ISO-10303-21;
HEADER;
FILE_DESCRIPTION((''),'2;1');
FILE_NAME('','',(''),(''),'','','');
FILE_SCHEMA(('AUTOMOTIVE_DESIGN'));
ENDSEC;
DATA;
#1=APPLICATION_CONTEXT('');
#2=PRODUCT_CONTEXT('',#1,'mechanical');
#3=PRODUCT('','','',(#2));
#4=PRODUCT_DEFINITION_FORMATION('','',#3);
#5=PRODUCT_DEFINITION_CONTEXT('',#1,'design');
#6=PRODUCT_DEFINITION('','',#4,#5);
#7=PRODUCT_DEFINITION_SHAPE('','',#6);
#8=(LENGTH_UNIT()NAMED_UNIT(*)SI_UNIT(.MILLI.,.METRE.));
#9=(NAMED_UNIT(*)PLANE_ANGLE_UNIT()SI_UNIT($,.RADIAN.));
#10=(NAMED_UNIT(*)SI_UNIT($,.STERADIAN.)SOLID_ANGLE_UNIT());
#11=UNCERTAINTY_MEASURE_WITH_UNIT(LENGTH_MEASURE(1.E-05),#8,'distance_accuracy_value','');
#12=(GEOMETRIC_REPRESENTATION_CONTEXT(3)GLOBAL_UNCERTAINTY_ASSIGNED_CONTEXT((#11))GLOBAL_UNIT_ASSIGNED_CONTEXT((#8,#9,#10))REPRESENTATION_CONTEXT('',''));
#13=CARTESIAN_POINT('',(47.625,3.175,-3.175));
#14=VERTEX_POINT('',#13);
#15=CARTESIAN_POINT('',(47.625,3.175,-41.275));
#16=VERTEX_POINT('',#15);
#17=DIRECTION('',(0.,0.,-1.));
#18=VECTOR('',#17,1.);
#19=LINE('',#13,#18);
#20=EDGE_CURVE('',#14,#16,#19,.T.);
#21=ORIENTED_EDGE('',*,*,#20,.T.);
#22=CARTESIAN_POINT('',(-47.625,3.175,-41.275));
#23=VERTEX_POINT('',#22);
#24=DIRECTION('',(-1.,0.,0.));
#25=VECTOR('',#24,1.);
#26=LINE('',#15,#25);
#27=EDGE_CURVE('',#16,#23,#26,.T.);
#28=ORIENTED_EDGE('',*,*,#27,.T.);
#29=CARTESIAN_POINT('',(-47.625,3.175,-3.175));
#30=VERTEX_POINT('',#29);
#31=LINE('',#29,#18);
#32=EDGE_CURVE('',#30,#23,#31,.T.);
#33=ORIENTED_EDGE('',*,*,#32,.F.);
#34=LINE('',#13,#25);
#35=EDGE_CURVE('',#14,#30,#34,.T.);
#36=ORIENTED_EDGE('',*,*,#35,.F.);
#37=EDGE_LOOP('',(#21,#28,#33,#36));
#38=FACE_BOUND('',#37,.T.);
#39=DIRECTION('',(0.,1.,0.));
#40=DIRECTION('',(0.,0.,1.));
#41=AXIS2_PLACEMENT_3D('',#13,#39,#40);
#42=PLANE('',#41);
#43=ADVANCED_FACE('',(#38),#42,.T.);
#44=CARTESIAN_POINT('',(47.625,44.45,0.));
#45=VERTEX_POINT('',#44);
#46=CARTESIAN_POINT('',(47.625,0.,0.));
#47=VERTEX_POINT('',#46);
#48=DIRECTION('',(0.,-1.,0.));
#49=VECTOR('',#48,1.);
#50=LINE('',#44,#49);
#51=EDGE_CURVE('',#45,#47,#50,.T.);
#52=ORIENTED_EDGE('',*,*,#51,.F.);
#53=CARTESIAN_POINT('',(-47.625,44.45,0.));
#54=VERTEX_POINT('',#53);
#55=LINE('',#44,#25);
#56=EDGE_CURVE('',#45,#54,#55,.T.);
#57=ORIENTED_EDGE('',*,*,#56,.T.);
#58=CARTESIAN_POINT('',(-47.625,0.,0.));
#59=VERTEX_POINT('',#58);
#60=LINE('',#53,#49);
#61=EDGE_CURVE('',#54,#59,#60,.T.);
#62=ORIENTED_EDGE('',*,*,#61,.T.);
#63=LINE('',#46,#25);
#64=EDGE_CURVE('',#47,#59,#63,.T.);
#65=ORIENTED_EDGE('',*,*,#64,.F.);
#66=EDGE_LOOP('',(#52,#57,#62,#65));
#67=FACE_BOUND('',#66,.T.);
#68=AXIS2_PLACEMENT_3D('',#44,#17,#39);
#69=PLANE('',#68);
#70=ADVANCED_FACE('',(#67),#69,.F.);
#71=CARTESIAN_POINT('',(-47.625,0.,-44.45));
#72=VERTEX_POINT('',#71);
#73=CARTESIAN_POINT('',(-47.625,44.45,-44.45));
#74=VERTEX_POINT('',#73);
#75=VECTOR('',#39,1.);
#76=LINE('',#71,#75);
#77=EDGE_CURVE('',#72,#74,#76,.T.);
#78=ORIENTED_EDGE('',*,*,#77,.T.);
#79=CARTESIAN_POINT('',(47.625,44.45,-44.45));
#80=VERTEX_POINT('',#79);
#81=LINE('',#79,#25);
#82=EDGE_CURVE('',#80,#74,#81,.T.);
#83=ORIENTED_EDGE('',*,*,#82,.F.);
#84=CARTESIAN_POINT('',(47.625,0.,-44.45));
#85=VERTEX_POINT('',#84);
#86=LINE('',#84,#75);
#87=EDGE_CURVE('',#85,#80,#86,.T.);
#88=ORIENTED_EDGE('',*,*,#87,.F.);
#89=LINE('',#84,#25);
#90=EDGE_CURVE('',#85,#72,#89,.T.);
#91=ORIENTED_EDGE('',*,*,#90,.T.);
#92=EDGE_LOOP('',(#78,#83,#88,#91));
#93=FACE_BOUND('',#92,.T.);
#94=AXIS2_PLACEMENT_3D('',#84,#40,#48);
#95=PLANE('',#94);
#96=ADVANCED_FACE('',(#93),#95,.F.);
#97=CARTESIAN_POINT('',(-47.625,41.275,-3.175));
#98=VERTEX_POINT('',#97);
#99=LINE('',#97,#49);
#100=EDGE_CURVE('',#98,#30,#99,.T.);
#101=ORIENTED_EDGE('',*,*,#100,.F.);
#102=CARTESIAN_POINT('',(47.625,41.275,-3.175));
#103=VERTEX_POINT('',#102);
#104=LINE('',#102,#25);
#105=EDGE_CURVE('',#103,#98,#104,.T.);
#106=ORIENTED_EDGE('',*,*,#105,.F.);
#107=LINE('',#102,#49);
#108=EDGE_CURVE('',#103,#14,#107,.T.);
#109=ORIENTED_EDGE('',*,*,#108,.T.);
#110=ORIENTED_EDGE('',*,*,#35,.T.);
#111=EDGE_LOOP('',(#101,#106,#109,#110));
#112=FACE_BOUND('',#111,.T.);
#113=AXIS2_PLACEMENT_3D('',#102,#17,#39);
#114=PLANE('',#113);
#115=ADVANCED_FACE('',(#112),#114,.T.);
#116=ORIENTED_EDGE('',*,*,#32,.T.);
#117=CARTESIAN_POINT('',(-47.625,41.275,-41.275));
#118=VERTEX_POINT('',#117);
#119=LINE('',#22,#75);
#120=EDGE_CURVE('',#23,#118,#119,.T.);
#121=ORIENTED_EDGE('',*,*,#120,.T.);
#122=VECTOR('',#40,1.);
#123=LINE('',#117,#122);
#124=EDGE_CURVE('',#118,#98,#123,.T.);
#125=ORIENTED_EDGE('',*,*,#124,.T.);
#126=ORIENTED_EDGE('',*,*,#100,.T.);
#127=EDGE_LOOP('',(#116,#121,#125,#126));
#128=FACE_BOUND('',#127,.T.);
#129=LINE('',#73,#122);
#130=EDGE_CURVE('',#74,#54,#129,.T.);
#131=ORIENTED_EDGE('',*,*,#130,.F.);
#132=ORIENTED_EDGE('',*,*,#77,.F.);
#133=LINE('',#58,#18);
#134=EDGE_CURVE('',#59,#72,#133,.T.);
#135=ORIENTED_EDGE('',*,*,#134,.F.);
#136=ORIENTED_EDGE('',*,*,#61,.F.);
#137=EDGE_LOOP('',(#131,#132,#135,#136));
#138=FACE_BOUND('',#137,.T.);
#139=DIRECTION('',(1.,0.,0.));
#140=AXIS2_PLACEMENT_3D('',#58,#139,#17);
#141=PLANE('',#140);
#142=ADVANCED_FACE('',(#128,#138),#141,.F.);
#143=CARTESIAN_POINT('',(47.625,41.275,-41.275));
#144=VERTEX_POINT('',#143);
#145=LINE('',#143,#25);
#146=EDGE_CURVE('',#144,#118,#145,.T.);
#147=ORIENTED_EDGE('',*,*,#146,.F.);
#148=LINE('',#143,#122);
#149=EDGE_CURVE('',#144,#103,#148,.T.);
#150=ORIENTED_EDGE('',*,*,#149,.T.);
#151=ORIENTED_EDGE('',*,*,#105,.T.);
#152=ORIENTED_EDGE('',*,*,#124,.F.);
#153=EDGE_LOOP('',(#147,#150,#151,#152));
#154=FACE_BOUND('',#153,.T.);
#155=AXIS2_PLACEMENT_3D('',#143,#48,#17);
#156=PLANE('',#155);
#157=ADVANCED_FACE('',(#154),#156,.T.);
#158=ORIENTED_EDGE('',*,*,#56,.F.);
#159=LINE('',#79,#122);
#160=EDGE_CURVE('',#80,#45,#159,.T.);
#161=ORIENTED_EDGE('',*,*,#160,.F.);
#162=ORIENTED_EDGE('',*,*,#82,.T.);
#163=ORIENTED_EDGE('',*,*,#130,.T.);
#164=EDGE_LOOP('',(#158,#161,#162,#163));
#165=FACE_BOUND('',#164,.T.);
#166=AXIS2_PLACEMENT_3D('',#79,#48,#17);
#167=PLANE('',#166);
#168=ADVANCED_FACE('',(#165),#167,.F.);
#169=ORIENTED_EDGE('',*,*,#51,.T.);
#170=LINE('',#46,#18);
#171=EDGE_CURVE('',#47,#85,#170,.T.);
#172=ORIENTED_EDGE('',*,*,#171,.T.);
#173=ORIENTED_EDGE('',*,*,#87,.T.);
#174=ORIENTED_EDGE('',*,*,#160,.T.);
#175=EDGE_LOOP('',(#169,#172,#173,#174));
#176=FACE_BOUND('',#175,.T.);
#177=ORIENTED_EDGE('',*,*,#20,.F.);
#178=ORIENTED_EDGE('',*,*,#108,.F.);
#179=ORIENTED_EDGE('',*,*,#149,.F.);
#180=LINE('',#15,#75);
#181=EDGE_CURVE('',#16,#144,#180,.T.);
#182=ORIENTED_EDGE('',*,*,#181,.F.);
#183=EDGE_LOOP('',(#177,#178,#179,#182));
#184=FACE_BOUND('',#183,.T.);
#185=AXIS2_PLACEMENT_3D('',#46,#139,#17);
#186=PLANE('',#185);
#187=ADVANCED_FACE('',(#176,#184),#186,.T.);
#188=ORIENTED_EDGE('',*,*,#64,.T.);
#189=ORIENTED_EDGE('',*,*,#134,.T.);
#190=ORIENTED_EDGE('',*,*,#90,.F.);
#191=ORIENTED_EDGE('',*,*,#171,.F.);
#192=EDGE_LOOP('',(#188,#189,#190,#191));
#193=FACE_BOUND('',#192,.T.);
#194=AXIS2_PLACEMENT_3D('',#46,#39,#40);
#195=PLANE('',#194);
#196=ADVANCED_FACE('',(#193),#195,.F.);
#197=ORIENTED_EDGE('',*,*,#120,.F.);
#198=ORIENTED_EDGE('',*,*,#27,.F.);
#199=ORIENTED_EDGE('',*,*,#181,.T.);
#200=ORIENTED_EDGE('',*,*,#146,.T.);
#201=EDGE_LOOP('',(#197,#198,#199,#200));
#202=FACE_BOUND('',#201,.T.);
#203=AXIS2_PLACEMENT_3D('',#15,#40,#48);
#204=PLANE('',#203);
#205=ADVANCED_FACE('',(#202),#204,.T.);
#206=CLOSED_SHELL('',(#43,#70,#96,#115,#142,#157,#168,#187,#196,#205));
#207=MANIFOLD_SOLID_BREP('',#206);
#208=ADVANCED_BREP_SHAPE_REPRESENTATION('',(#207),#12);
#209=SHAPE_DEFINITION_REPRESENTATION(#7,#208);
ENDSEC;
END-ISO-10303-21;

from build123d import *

# Parameters (mm, degrees)
SKETCH1_W           = 44.45
SKETCH1_H           = 44.45
SKETCH1_W_2         = 38.1
SKETCH1_H_2         = 38.1
BOSS_EXTRUDE1_DEPTH = 47.625


with BuildPart() as part:
    # Sketch1 → Boss-Extrude1 (new body, symmetric)
    with BuildSketch(Plane(origin=(0, 0, 0), x_dir=(0, 0, -1), z_dir=(1, 0, 0))):
        with Locations((22.225, 22.225)):
            Rectangle(SKETCH1_W, SKETCH1_H)
        with Locations((22.225, 22.225)):
            Rectangle(SKETCH1_W_2, SKETCH1_H_2, mode=Mode.SUBTRACT)
    extrude(amount=BOSS_EXTRUDE1_DEPTH, both=True)


solid = part.part
